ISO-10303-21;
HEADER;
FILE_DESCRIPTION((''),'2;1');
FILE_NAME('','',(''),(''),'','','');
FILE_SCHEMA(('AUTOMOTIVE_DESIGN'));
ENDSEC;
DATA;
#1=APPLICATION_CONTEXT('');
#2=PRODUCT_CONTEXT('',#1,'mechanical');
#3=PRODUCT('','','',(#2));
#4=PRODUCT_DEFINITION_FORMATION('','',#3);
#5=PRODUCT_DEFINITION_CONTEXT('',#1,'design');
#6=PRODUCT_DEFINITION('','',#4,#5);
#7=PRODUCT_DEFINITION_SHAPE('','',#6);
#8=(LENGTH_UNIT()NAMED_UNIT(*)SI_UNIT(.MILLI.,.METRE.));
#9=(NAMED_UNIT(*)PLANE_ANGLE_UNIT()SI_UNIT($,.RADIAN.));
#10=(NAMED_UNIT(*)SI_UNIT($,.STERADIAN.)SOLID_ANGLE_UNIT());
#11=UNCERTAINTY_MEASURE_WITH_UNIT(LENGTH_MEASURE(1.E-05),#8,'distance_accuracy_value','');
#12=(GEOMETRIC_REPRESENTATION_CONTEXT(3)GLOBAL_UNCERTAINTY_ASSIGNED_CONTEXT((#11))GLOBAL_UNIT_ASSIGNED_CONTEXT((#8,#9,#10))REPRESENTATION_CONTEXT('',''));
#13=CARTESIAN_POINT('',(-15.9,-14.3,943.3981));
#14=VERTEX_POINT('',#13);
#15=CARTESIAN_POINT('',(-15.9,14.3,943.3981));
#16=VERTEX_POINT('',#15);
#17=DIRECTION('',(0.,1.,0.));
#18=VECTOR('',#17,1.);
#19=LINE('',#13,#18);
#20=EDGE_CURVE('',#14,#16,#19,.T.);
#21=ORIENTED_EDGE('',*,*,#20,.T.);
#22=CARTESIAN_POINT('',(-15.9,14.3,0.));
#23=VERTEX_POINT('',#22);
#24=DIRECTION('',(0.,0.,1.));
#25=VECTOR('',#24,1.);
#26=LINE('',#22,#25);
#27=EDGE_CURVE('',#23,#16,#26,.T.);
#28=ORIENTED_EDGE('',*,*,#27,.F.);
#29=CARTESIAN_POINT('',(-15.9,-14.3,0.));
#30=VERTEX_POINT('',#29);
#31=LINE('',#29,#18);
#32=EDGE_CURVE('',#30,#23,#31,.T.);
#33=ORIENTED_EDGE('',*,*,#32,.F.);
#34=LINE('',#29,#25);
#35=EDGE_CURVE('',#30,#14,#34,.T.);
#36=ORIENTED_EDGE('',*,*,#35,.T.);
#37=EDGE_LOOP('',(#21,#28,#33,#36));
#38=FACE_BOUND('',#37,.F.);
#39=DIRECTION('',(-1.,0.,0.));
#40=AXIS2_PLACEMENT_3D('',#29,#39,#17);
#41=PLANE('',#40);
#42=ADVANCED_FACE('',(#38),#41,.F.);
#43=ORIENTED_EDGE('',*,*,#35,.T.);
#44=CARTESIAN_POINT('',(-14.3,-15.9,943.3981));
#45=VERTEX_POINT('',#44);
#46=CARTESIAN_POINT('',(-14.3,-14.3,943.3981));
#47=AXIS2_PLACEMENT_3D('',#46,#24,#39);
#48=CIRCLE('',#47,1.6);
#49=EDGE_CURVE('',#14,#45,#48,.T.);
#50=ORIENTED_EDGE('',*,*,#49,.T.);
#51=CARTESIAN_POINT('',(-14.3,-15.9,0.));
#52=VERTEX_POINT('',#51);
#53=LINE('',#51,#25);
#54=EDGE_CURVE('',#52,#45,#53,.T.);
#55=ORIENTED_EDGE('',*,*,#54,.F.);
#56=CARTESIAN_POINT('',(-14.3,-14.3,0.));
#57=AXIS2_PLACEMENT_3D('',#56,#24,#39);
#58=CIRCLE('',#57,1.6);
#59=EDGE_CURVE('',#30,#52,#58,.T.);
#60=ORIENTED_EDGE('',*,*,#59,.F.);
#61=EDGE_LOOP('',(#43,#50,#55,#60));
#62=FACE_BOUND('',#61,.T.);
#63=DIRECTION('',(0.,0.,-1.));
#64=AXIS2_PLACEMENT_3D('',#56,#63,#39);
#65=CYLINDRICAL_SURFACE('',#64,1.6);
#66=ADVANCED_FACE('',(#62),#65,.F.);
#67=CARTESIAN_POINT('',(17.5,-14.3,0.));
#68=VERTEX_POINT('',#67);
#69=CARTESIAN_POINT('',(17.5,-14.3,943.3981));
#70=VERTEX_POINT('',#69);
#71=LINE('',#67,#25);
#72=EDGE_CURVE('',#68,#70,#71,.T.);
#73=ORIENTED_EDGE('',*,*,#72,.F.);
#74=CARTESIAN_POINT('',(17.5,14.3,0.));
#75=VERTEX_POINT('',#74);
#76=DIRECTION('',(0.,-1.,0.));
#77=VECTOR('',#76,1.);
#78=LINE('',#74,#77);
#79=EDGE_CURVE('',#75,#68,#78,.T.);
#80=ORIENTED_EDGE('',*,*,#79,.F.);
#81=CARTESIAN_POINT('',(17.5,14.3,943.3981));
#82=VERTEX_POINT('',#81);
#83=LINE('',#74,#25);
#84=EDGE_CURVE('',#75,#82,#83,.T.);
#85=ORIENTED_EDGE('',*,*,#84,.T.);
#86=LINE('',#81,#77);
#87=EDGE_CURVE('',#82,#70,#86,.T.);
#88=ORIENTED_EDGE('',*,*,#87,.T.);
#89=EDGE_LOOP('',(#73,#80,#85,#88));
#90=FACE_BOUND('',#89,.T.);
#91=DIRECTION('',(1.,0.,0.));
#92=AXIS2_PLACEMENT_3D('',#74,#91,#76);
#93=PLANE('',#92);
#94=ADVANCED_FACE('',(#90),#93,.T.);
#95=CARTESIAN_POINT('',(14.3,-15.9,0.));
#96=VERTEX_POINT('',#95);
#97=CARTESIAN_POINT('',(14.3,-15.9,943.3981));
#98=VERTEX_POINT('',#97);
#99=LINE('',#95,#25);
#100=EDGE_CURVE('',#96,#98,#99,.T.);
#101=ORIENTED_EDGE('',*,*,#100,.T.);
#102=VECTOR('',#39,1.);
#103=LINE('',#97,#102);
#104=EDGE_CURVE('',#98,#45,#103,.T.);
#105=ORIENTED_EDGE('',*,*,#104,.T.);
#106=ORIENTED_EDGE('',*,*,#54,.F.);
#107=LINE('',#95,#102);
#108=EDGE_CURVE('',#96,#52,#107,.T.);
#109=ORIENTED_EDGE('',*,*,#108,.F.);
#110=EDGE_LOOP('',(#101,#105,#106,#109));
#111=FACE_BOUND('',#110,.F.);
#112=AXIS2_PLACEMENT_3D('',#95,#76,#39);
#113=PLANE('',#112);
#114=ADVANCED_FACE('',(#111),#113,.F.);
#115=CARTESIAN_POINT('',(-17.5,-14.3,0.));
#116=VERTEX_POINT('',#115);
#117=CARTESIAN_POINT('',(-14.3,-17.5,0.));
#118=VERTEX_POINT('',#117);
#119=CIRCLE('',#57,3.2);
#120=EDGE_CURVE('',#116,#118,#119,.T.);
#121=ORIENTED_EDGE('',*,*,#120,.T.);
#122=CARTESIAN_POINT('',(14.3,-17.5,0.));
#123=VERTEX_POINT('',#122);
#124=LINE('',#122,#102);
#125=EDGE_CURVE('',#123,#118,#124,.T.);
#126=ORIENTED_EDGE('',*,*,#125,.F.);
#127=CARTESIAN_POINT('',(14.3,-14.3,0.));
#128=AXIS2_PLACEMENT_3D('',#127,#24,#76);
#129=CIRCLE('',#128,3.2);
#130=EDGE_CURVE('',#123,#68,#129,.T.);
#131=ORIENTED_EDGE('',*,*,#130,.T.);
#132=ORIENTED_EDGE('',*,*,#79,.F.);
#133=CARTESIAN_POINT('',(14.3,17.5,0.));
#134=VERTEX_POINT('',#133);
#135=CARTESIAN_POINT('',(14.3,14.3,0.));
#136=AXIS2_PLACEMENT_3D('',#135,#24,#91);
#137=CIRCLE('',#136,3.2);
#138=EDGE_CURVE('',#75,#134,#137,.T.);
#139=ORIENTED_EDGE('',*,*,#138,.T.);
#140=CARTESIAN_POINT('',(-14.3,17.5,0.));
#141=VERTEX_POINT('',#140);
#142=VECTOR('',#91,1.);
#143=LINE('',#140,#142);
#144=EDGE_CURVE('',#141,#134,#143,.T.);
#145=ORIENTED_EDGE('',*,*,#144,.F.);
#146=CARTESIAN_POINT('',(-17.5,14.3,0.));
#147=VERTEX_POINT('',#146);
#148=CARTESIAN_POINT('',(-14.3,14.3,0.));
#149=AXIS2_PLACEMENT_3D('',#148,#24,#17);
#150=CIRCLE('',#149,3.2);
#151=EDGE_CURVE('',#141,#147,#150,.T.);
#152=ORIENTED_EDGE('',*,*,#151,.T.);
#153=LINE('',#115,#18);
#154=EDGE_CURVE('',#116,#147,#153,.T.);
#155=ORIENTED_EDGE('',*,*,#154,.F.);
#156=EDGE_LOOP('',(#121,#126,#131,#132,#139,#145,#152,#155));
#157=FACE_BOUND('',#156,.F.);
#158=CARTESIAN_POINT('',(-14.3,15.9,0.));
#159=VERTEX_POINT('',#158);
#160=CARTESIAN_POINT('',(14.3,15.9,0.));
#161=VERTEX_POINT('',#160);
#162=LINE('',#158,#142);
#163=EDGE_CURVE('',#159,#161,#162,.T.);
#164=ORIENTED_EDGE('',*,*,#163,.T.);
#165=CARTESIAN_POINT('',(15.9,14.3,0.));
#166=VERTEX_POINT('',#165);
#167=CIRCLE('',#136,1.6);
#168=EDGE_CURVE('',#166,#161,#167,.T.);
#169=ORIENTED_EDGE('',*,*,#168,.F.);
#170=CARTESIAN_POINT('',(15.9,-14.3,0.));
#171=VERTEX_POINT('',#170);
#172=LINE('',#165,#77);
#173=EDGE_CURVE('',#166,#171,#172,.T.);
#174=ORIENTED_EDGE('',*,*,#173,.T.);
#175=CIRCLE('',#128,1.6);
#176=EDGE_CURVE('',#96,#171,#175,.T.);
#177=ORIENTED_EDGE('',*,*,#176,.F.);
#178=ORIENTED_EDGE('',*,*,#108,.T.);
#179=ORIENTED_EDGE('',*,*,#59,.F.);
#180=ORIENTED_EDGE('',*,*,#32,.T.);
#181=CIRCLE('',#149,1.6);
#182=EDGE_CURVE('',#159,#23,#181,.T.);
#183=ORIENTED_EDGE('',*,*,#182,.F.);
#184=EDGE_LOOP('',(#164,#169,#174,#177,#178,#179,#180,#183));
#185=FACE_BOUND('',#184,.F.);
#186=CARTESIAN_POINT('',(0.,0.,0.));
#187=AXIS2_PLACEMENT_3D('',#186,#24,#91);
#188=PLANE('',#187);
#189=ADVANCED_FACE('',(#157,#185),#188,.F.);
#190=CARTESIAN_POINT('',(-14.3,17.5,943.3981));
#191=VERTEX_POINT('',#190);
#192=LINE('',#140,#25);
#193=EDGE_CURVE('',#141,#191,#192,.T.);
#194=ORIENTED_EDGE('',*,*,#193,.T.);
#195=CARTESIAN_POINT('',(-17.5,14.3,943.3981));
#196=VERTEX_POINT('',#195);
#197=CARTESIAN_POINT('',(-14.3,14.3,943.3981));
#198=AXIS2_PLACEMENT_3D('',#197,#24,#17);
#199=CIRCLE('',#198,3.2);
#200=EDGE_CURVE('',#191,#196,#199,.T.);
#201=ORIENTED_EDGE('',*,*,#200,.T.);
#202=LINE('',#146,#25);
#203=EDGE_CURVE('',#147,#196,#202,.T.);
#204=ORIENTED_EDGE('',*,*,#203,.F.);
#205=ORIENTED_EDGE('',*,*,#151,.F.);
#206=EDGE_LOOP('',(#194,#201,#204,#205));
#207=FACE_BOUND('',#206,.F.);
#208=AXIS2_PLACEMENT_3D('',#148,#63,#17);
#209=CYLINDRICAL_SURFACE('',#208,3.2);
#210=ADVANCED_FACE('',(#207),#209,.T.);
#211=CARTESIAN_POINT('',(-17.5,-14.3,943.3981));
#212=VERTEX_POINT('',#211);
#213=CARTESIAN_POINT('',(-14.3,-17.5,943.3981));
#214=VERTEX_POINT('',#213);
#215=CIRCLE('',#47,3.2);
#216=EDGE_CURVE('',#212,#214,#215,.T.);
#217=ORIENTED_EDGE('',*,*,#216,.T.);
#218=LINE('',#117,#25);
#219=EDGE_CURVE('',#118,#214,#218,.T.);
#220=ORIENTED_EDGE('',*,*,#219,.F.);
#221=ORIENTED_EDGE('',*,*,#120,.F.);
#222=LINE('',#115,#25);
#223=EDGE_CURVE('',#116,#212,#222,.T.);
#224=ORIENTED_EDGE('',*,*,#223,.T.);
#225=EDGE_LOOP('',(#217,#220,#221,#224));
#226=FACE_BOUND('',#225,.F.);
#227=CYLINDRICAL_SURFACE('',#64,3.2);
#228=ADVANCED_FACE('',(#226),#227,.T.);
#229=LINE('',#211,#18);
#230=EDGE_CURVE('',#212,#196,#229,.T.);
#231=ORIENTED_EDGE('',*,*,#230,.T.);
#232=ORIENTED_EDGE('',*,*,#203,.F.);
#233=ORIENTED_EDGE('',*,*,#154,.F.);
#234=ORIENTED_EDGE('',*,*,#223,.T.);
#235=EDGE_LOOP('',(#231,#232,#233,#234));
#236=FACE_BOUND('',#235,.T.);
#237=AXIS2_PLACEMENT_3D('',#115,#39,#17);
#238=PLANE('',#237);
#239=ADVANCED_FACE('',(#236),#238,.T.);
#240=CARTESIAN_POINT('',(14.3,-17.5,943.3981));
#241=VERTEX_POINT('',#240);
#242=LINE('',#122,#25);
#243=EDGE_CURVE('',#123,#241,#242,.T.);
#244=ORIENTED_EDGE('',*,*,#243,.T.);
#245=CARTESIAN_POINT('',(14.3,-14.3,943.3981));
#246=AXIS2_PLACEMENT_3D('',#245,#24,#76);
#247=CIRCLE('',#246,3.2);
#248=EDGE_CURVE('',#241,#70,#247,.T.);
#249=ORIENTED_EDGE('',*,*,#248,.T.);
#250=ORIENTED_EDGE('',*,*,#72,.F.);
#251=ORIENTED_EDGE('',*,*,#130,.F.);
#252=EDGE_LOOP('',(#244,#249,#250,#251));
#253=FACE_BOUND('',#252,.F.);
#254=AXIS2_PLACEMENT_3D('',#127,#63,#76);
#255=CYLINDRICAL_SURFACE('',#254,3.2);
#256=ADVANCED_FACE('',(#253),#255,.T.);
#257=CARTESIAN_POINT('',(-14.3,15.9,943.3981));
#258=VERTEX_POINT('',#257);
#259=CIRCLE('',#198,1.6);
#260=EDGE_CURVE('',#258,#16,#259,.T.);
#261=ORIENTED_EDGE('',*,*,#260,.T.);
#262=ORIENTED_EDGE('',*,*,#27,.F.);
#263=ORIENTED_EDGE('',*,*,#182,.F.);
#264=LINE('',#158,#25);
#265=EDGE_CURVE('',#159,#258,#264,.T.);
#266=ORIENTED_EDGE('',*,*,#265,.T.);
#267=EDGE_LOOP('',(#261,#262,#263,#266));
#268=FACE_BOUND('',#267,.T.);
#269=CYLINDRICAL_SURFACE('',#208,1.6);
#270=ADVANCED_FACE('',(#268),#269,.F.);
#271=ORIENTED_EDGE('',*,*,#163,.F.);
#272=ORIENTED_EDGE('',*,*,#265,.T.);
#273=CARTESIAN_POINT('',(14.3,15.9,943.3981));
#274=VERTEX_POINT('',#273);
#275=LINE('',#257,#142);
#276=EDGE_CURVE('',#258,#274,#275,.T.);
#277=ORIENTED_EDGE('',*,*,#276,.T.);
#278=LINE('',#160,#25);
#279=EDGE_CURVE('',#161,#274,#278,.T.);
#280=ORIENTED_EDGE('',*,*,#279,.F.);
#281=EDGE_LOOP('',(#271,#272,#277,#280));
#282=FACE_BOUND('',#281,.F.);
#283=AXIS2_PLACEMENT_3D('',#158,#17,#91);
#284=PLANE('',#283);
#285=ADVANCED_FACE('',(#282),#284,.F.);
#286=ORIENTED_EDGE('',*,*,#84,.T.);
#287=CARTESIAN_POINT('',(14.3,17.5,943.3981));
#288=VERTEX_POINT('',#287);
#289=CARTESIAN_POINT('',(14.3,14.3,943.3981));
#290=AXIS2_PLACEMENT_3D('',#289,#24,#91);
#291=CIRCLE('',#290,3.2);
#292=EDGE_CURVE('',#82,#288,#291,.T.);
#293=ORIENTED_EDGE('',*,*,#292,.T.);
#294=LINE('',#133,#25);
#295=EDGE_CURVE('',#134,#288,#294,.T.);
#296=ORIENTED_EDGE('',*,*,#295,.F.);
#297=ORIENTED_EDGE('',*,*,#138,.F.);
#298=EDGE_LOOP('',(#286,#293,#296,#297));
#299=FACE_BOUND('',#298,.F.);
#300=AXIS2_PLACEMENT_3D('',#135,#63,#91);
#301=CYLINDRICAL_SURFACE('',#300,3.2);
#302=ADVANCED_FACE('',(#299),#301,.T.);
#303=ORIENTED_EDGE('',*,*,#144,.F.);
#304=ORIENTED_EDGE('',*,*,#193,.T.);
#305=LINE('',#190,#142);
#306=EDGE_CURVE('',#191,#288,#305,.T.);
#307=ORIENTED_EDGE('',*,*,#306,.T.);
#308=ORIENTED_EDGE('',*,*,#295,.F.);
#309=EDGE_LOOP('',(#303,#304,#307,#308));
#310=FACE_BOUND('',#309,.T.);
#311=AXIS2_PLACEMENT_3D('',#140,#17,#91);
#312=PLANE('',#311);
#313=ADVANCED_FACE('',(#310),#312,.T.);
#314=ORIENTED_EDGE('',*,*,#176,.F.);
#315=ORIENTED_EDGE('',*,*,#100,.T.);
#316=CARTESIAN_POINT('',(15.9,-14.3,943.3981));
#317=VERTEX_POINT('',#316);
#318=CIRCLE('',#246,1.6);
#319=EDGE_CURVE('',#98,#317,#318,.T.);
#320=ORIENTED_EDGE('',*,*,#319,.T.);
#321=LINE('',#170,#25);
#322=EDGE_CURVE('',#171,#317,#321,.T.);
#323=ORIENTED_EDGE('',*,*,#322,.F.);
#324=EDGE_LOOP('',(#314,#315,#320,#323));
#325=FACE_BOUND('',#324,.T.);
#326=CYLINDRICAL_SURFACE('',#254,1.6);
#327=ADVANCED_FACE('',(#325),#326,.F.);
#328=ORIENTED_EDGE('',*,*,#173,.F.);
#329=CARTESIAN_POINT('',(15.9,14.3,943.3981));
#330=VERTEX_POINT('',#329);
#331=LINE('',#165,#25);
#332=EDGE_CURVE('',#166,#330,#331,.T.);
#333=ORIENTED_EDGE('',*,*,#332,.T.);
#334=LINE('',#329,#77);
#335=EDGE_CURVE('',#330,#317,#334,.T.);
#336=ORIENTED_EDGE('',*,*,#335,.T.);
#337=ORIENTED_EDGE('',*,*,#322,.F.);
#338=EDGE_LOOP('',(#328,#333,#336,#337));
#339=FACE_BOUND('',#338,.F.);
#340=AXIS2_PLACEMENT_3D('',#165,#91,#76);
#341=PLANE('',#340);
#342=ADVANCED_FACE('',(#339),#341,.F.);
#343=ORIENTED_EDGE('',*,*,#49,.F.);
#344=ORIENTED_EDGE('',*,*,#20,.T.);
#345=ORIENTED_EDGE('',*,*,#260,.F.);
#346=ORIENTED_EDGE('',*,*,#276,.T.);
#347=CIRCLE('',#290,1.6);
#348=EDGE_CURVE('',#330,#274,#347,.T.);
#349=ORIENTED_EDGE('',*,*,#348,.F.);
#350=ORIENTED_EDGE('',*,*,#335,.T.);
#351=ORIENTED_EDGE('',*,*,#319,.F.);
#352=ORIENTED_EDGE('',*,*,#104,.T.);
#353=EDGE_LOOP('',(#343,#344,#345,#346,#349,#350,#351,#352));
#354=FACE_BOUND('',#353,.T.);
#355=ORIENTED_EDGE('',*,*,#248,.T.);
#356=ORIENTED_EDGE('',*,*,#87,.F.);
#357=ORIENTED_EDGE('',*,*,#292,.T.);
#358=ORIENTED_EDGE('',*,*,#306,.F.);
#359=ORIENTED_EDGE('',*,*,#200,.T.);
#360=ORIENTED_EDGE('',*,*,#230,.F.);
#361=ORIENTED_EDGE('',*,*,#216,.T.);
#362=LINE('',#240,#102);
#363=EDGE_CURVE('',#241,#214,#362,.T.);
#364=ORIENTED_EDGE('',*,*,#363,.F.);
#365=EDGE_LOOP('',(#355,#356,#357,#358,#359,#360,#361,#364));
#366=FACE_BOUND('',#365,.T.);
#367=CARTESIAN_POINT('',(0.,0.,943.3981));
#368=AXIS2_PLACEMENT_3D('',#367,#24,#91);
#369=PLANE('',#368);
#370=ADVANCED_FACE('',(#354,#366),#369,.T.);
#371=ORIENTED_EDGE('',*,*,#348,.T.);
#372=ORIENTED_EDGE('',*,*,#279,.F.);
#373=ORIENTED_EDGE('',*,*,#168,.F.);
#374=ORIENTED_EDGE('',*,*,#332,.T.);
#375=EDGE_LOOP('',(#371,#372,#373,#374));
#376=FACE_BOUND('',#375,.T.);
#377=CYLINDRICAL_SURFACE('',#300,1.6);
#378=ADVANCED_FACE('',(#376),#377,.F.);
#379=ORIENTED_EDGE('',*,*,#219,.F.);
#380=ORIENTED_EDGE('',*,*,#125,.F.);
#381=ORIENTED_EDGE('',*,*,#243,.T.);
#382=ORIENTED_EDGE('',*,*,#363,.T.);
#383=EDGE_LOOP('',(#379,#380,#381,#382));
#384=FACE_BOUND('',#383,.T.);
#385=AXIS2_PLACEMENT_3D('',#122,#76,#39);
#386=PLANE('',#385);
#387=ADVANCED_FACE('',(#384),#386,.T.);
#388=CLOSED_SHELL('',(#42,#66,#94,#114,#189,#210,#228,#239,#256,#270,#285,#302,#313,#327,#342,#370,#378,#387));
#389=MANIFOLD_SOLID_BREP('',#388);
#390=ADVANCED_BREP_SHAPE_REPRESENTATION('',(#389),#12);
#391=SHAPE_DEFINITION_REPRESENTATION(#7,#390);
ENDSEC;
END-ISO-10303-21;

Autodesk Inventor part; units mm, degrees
ref_plane "YZ Plane" through (0, 0, 0) normal (1, 0, 0) x (0, 1, 0)
ref_plane "Start plane" through (0, 0, 0) normal (0, 0, 1) x (1, 0, 0)
ref_plane "End plane" through (0, 0, 943.3981) normal (0, 0, 1) x (1, 0, 0)
sketch "Sketch" plane through (0, 0, 0) normal (0, 0, 1) x (1, 0, 0)
  line L0 (-17.5, -14.3) -> (-17.5, 14.3)
  line L1 (-14.3, 17.5) -> (14.3, 17.5)
  line L2 (17.5, 14.3) -> (17.5, -14.3)
  line L3 (14.3, -17.5) -> (-14.3, -17.5)
  arc A0 (-17.5, -14.3) -> (-14.3, -17.5) centre (-14.3, -14.3) ccw
  arc A1 (-14.3, 17.5) -> (-17.5, 14.3) centre (-14.3, 14.3) ccw
  arc A2 (17.5, 14.3) -> (14.3, 17.5) centre (14.3, 14.3) ccw
  arc A3 (14.3, -17.5) -> (17.5, -14.3) centre (14.3, -14.3) ccw
  arc A4 (-14.3, 15.9) -> (-15.9, 14.3) centre (-14.3, 14.3) ccw
  line L4 (-14.3, 15.9) -> (14.3, 15.9)
  arc A5 (15.9, 14.3) -> (14.3, 15.9) centre (14.3, 14.3) ccw
  line L5 (15.9, 14.3) -> (15.9, -14.3)
  arc A6 (14.3, -15.9) -> (15.9, -14.3) centre (14.3, -14.3) ccw
  line L6 (14.3, -15.9) -> (-14.3, -15.9)
  arc A7 (-15.9, -14.3) -> (-14.3, -15.9) centre (-14.3, -14.3) ccw
  line L7 (-15.9, -14.3) -> (-15.9, 14.3)
  line L8 (0, 25.4278) -> (0, -25.4278) construction
  line L9 (-25.4278, 0) -> (25.4278, 0) construction
  dimension "d7" = 3.2
  dimension "d10" = 35
  dimension "d11" = 35
  dimension "d12" = 1.6
  dimension "d15" = 17.5
  dimension "d16" = 17.5
extrude "Body" add sketch "Sketch" along normal up to surface (943.3981 mm away) from surface at 0
sketch "Sketch3" plane through (0, 0, 0) normal (0, 0, 1) x (1, 0, 0)
  line L0 (0, 0) -> (10, 0)
ref_plane "Work Plane3" through (0, 0, 0) normal (0, -1, 0) x (1, 0, 0)
sketch "Sketch4" plane through (0, 0, 0) normal (0, -1, 0) x (1, 0, 0)
  line L0 (-2, 0) -> (12, 0)
  line L1 (-2, 943.3981) -> (12, 943.3981)
  dimension "d18" = 943.3981
equation "\"d7\" = G_IR"
equation "\"d10\" = G_H"
equation "\"d11\" = G_W"
equation "\"d12\" = G_T"
equation "\"d15\" = 0.5 * d10"
equation "\"d16\" = 0.5 * d11"
equation "\"d3\" = G_L"
equation "\"G_W\" = 35"
equation "\"G_H\" = 35"
equation "\"G_T\" = 1.6"
equation "\"G_IR\" = 3.2"
equation "\"G_L\" = d18"
equation "\"G_OFFSET_START\" = 0"
equation "\"G_OFFSET_END\" = 0"
equation "\"d14\" = G_OFFSET_END + B_L"
equation "\"B_L\" = 943.39811"
properties part number "AS 1163 - C350L0 35x35x1.6 SHS - 943.398" material "Steel, Mild"
